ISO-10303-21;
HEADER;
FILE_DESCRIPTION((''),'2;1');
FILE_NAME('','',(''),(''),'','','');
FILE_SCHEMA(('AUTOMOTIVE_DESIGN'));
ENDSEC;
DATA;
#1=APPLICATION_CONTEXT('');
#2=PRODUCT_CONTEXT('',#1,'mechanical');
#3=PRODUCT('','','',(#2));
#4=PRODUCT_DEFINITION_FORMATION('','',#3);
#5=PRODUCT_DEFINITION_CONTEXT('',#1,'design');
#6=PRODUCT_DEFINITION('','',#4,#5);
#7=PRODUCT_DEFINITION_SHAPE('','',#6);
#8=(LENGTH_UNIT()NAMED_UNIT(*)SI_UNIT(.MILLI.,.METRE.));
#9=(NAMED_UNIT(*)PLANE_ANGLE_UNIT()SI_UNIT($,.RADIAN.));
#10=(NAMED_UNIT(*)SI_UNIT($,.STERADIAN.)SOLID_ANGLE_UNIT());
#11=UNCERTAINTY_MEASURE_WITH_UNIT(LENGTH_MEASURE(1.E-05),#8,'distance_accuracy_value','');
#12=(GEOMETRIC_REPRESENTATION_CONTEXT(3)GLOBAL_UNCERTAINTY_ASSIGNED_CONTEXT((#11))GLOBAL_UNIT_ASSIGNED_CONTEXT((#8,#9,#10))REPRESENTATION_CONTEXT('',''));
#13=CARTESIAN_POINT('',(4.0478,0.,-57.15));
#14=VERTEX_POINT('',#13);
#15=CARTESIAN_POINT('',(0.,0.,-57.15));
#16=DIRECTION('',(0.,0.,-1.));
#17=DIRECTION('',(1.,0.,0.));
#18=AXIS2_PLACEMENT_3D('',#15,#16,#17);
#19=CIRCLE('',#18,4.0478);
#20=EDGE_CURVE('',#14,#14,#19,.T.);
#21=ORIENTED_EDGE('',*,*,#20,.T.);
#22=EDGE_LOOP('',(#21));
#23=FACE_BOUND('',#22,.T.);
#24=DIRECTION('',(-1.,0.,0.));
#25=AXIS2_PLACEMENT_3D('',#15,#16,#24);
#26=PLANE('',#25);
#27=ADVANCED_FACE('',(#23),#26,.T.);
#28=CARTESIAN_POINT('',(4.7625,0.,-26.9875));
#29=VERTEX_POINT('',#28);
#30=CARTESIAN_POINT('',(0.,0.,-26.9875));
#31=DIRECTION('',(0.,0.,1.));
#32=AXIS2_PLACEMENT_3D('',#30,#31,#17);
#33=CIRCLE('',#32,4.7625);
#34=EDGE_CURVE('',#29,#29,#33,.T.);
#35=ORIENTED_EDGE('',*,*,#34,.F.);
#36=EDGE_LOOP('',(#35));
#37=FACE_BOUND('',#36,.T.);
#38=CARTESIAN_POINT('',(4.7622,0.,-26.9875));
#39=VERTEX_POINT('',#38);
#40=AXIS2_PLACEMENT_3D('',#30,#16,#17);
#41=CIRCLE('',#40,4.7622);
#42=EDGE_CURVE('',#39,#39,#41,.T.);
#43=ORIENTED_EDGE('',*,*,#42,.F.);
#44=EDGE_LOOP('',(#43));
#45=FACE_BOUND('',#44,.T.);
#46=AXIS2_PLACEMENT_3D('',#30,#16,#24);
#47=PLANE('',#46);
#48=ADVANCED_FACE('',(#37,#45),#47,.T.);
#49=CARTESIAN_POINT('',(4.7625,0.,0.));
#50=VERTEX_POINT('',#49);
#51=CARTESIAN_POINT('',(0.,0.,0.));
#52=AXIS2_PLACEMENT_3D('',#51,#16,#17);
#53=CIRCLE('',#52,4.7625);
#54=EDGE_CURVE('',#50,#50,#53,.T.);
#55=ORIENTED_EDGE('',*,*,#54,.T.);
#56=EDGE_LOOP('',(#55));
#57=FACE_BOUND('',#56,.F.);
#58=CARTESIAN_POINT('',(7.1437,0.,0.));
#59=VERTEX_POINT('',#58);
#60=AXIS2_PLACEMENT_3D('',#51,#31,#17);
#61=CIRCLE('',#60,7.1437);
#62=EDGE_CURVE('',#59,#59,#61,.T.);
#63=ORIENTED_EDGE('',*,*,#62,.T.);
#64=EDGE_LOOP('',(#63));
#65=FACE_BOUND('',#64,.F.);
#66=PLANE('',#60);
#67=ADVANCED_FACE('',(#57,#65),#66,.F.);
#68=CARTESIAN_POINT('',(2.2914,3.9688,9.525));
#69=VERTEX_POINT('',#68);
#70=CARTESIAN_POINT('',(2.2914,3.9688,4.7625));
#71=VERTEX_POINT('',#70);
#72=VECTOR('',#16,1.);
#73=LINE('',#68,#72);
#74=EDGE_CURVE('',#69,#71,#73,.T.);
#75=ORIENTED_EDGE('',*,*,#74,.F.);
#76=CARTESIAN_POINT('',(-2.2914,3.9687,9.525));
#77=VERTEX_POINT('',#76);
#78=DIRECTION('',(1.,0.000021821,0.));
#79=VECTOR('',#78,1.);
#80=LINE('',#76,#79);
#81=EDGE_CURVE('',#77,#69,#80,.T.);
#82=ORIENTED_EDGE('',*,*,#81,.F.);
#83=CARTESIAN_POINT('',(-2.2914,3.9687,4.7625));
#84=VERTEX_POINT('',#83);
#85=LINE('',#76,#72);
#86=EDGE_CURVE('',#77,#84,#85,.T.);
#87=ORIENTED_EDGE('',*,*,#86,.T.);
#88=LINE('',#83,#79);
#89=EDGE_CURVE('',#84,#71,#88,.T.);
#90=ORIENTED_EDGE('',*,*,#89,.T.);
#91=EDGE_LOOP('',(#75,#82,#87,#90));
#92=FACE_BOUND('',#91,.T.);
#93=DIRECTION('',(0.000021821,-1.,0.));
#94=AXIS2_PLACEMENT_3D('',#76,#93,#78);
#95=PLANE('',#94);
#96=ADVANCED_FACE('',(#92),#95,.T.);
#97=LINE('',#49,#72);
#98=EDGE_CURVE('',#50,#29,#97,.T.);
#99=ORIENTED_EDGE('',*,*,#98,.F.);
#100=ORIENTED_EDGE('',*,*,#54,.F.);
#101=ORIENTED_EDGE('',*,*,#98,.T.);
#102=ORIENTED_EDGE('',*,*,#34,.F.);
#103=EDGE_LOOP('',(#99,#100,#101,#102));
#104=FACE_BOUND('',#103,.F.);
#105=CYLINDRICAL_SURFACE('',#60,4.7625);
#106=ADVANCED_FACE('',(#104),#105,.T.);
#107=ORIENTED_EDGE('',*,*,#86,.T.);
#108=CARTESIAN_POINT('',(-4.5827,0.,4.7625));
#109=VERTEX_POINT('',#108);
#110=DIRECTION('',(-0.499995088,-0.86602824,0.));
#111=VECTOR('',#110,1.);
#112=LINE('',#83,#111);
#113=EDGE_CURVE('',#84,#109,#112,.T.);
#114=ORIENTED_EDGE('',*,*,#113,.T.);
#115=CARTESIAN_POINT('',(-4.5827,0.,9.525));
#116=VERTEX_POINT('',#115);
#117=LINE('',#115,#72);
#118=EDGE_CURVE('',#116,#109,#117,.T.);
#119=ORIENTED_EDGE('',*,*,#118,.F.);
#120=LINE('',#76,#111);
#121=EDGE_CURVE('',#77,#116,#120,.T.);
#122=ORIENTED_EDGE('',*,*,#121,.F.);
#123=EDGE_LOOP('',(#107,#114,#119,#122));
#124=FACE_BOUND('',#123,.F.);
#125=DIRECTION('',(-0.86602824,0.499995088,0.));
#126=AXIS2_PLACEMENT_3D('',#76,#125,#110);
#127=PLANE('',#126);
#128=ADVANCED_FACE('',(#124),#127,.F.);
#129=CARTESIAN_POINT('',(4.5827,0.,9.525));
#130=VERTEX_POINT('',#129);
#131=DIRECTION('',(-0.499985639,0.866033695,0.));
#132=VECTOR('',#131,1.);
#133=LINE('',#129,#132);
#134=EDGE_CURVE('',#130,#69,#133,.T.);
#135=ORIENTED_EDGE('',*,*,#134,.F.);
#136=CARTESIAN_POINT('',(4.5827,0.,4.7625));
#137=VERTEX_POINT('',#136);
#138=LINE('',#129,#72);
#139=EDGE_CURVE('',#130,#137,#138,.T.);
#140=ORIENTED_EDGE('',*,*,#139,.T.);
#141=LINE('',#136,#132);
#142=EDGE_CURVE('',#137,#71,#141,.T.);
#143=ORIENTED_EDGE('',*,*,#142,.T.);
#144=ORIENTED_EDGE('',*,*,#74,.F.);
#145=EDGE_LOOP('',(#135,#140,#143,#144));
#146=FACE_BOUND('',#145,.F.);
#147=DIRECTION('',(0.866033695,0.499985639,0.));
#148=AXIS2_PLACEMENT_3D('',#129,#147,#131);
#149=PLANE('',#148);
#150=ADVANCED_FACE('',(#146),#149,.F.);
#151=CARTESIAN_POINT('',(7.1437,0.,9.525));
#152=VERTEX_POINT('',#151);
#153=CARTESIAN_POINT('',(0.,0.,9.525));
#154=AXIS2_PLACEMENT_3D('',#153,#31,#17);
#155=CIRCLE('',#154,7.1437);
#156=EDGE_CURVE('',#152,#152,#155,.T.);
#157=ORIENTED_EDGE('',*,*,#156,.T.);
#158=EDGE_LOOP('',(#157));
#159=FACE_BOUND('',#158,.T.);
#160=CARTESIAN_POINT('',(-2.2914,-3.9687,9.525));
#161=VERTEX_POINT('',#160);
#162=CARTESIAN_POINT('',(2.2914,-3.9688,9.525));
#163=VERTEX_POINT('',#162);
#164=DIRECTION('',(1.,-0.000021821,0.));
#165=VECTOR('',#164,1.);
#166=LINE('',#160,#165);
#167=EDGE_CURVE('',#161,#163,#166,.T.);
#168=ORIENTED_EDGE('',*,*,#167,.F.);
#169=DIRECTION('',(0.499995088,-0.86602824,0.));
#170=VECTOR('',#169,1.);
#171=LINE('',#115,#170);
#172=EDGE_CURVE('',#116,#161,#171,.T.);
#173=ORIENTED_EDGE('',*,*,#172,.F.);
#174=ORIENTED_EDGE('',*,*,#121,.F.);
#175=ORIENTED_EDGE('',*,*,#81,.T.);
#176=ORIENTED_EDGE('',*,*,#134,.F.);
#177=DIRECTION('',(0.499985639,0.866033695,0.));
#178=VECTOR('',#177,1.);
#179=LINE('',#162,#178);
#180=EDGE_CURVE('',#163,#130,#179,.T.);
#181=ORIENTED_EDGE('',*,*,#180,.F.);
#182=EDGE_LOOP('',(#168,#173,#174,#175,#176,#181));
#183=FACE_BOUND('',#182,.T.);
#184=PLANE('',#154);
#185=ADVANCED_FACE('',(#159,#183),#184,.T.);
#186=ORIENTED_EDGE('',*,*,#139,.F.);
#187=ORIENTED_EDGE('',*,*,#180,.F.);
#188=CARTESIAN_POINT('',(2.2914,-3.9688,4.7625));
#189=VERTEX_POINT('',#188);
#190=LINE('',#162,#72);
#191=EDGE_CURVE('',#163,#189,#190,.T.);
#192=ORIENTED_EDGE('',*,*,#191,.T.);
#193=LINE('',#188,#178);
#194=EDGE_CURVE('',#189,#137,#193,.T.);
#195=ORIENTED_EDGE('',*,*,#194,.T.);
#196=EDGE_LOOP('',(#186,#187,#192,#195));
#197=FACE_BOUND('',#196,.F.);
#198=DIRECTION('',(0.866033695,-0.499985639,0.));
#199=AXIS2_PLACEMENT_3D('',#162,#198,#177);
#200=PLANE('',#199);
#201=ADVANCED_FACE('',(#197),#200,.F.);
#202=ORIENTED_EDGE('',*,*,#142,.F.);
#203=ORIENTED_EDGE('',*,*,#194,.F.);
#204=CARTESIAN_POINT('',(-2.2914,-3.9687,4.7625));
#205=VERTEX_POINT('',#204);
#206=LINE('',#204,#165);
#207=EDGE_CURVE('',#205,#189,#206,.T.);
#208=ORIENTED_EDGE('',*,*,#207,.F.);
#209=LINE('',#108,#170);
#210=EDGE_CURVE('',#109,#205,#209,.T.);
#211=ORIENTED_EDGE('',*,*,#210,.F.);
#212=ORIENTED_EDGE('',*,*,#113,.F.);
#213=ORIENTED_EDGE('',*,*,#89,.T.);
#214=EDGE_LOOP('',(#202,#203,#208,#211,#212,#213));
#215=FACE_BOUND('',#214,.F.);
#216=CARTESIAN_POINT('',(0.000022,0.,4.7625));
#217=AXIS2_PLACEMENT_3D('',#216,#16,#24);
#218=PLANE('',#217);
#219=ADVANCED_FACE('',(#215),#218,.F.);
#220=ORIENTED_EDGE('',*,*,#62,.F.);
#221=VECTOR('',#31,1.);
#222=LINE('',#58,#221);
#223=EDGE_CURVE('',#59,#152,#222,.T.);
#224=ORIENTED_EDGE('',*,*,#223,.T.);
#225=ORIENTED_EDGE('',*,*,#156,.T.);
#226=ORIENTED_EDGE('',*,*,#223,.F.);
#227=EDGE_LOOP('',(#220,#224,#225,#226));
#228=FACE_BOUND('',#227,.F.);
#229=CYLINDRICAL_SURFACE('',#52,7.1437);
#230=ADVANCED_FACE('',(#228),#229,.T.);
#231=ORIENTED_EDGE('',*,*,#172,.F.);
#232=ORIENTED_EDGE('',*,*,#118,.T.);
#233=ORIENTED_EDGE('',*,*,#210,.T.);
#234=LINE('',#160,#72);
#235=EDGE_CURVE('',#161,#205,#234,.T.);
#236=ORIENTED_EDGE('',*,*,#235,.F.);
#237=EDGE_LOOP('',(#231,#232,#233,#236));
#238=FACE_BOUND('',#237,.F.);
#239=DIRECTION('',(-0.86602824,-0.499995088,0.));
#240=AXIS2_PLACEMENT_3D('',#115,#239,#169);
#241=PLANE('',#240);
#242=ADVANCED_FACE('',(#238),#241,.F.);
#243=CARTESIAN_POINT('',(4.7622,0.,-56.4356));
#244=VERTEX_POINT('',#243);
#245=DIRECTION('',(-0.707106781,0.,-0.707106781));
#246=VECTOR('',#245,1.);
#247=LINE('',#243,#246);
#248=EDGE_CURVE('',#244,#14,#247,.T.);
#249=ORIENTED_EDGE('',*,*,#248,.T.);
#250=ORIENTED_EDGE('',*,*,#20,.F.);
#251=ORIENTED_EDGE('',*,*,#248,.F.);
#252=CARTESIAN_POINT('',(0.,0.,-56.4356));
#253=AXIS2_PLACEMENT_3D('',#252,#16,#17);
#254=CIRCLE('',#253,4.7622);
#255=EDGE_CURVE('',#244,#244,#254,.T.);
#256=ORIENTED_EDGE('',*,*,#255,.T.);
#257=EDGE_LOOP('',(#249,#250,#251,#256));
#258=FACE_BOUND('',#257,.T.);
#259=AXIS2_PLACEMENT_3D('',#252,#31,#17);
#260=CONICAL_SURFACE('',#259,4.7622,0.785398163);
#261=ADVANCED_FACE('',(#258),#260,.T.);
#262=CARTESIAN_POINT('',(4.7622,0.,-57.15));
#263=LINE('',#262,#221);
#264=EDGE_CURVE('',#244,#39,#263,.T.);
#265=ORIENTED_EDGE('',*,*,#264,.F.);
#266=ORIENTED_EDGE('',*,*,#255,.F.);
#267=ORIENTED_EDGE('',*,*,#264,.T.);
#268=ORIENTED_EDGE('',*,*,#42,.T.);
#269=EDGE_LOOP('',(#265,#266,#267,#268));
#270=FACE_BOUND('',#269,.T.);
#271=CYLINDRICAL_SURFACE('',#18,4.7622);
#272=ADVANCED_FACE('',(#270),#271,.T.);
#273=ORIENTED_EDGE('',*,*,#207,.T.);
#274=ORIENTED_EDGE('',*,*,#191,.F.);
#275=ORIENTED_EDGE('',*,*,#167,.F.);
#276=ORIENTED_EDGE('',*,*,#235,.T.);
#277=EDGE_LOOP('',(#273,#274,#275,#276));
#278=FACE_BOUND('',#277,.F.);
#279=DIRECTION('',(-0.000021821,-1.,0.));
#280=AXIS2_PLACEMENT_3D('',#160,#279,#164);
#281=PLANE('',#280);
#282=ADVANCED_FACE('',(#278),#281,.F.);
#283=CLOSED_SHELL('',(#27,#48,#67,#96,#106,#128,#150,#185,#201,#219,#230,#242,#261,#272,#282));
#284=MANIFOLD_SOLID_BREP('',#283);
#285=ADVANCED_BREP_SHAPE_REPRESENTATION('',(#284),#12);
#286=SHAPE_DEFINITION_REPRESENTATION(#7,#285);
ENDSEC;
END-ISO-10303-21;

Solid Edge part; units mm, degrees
sketch "Sketch1" plane through (0, 0, 0) normal (0, 0, 1) x (1, 0, 0)
  circle A0 centre (0, 0) radius 7.1437
  dimension "D1" = 14.2875
extrude "Protrusion1" add sketch "Sketch1" along normal blind 9.525
sketch "Sketch2" plane through (0, 0, 0) normal (0, 0, -1) x (1, 0, 0)
  circle A0 centre (0, 0) radius 4.7625
extrude "Protrusion2" add sketch "Sketch2" along normal blind 57.15
sketch "Sketch3" plane through (0, 0, -57.15) normal (0, 0, -1) x (1, 0, 0)
  circle A0 centre (0, 0) radius 4.7622
extrude "Cutout1" cut sketch "Sketch3" against normal blind 30.1625 flip side to cut
chamfer "Chamfer_1" distance 0.7144 angle 45 1 edges at (-4.7622, 0, -57.15)
sketch "Sketch4" plane through (0, 0, 9.525) normal (0, 0, 1) x (1, 0, 0)
  line L0 (-2.2914, 3.9687) -> (2.2914, 3.9688)
  line L1 (4.5827, 0) -> (2.2914, 3.9688)
  line L2 (2.2914, -3.9688) -> (4.5827, 0)
  line L3 (-2.2914, -3.9687) -> (2.2914, -3.9688)
  line L4 (-4.5827, 0) -> (-2.2914, -3.9688)
  line L5 (-2.2914, 3.9688) -> (-4.5827, 0)
  dimension "D1" = 7.9375
extrude "Cutout2" cut sketch "Sketch4" against normal blind 4.7625
properties part number "107697"
